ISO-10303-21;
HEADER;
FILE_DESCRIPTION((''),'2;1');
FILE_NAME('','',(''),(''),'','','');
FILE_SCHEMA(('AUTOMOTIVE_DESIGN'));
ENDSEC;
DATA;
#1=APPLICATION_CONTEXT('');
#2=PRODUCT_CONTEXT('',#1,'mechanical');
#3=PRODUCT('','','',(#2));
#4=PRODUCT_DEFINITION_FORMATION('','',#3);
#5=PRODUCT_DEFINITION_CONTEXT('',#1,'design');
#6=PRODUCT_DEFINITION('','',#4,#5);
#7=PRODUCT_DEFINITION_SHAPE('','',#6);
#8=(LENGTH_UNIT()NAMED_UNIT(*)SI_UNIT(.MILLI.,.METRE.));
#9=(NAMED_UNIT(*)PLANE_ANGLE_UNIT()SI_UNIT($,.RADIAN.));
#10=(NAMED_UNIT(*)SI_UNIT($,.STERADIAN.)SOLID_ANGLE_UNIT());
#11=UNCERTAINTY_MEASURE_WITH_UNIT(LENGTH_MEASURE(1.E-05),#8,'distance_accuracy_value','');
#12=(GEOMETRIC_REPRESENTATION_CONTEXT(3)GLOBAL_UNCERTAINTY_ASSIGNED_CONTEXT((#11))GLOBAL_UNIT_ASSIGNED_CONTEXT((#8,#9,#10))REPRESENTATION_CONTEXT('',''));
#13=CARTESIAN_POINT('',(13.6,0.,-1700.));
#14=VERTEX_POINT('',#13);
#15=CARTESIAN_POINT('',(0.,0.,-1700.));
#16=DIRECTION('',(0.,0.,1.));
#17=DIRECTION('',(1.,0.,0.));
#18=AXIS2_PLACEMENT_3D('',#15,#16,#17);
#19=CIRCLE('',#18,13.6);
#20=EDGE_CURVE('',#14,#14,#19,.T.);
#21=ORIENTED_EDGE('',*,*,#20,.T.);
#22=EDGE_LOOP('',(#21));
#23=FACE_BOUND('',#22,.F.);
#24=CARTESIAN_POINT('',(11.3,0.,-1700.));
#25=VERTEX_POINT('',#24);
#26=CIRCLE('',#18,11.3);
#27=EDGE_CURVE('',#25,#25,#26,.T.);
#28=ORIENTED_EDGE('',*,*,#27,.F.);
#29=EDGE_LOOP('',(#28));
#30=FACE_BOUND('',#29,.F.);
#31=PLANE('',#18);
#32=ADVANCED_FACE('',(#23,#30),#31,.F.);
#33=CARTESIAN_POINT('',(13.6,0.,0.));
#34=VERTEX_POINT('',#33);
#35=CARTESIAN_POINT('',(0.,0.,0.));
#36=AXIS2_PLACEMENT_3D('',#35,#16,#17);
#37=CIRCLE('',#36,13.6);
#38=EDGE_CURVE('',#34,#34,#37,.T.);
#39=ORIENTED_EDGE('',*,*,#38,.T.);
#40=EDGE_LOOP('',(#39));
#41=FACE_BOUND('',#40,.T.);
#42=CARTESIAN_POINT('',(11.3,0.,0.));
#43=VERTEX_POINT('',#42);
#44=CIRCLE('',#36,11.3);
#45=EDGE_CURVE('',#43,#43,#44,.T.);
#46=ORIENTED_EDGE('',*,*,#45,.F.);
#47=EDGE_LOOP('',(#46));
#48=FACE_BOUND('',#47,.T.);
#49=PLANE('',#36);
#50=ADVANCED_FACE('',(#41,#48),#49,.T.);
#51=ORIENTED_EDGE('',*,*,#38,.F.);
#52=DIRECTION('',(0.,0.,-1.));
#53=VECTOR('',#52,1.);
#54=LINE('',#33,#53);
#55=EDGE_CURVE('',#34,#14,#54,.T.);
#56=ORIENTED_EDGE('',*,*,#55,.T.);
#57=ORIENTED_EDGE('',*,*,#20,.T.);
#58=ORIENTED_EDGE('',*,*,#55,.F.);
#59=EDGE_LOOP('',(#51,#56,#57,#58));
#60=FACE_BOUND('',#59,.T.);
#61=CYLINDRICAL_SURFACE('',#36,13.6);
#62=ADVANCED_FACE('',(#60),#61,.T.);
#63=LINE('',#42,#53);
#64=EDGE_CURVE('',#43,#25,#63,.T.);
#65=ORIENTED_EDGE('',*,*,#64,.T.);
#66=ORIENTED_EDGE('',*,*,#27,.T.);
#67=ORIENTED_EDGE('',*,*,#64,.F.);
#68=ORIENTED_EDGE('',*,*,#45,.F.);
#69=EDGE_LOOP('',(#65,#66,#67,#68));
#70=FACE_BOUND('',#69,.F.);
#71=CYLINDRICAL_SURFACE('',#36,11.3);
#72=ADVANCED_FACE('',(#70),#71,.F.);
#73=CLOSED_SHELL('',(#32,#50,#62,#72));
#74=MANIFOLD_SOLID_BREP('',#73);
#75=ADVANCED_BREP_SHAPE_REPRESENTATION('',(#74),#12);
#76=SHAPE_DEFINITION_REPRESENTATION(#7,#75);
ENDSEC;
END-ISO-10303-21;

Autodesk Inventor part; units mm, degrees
ref_plane "YZ Plane" through (0, 0, 0) normal (1, 0, 0) x (0, 1, 0)
ref_plane "XZ Plane" through (0, 0, 0) normal (0, 1, 0) x (-1, 0, 0)
ref_plane "XY Plane" through (0, 0, 0) normal (0, 0, 1) x (1, 0, 0)
sketch "スケッチ1" plane through (0, 0, 0) normal (0, 0, 1) x (1, 0, 0)
  circle A0 centre (0, 0) radius 13.6
  dimension "d0" = 27.2
extrude "押し出し1" add sketch "スケッチ1" against normal blind 1700
sketch "スケッチ2" plane through (0, 0, 0) normal (0, 0, 1) x (1, 0, 0)
  circle A0 centre (0, 0) radius 11.3
  dimension "d4" = 22.6
extrude "押し出し2" cut sketch "スケッチ2" against normal blind 1700
properties part number "縦のパイプ"
